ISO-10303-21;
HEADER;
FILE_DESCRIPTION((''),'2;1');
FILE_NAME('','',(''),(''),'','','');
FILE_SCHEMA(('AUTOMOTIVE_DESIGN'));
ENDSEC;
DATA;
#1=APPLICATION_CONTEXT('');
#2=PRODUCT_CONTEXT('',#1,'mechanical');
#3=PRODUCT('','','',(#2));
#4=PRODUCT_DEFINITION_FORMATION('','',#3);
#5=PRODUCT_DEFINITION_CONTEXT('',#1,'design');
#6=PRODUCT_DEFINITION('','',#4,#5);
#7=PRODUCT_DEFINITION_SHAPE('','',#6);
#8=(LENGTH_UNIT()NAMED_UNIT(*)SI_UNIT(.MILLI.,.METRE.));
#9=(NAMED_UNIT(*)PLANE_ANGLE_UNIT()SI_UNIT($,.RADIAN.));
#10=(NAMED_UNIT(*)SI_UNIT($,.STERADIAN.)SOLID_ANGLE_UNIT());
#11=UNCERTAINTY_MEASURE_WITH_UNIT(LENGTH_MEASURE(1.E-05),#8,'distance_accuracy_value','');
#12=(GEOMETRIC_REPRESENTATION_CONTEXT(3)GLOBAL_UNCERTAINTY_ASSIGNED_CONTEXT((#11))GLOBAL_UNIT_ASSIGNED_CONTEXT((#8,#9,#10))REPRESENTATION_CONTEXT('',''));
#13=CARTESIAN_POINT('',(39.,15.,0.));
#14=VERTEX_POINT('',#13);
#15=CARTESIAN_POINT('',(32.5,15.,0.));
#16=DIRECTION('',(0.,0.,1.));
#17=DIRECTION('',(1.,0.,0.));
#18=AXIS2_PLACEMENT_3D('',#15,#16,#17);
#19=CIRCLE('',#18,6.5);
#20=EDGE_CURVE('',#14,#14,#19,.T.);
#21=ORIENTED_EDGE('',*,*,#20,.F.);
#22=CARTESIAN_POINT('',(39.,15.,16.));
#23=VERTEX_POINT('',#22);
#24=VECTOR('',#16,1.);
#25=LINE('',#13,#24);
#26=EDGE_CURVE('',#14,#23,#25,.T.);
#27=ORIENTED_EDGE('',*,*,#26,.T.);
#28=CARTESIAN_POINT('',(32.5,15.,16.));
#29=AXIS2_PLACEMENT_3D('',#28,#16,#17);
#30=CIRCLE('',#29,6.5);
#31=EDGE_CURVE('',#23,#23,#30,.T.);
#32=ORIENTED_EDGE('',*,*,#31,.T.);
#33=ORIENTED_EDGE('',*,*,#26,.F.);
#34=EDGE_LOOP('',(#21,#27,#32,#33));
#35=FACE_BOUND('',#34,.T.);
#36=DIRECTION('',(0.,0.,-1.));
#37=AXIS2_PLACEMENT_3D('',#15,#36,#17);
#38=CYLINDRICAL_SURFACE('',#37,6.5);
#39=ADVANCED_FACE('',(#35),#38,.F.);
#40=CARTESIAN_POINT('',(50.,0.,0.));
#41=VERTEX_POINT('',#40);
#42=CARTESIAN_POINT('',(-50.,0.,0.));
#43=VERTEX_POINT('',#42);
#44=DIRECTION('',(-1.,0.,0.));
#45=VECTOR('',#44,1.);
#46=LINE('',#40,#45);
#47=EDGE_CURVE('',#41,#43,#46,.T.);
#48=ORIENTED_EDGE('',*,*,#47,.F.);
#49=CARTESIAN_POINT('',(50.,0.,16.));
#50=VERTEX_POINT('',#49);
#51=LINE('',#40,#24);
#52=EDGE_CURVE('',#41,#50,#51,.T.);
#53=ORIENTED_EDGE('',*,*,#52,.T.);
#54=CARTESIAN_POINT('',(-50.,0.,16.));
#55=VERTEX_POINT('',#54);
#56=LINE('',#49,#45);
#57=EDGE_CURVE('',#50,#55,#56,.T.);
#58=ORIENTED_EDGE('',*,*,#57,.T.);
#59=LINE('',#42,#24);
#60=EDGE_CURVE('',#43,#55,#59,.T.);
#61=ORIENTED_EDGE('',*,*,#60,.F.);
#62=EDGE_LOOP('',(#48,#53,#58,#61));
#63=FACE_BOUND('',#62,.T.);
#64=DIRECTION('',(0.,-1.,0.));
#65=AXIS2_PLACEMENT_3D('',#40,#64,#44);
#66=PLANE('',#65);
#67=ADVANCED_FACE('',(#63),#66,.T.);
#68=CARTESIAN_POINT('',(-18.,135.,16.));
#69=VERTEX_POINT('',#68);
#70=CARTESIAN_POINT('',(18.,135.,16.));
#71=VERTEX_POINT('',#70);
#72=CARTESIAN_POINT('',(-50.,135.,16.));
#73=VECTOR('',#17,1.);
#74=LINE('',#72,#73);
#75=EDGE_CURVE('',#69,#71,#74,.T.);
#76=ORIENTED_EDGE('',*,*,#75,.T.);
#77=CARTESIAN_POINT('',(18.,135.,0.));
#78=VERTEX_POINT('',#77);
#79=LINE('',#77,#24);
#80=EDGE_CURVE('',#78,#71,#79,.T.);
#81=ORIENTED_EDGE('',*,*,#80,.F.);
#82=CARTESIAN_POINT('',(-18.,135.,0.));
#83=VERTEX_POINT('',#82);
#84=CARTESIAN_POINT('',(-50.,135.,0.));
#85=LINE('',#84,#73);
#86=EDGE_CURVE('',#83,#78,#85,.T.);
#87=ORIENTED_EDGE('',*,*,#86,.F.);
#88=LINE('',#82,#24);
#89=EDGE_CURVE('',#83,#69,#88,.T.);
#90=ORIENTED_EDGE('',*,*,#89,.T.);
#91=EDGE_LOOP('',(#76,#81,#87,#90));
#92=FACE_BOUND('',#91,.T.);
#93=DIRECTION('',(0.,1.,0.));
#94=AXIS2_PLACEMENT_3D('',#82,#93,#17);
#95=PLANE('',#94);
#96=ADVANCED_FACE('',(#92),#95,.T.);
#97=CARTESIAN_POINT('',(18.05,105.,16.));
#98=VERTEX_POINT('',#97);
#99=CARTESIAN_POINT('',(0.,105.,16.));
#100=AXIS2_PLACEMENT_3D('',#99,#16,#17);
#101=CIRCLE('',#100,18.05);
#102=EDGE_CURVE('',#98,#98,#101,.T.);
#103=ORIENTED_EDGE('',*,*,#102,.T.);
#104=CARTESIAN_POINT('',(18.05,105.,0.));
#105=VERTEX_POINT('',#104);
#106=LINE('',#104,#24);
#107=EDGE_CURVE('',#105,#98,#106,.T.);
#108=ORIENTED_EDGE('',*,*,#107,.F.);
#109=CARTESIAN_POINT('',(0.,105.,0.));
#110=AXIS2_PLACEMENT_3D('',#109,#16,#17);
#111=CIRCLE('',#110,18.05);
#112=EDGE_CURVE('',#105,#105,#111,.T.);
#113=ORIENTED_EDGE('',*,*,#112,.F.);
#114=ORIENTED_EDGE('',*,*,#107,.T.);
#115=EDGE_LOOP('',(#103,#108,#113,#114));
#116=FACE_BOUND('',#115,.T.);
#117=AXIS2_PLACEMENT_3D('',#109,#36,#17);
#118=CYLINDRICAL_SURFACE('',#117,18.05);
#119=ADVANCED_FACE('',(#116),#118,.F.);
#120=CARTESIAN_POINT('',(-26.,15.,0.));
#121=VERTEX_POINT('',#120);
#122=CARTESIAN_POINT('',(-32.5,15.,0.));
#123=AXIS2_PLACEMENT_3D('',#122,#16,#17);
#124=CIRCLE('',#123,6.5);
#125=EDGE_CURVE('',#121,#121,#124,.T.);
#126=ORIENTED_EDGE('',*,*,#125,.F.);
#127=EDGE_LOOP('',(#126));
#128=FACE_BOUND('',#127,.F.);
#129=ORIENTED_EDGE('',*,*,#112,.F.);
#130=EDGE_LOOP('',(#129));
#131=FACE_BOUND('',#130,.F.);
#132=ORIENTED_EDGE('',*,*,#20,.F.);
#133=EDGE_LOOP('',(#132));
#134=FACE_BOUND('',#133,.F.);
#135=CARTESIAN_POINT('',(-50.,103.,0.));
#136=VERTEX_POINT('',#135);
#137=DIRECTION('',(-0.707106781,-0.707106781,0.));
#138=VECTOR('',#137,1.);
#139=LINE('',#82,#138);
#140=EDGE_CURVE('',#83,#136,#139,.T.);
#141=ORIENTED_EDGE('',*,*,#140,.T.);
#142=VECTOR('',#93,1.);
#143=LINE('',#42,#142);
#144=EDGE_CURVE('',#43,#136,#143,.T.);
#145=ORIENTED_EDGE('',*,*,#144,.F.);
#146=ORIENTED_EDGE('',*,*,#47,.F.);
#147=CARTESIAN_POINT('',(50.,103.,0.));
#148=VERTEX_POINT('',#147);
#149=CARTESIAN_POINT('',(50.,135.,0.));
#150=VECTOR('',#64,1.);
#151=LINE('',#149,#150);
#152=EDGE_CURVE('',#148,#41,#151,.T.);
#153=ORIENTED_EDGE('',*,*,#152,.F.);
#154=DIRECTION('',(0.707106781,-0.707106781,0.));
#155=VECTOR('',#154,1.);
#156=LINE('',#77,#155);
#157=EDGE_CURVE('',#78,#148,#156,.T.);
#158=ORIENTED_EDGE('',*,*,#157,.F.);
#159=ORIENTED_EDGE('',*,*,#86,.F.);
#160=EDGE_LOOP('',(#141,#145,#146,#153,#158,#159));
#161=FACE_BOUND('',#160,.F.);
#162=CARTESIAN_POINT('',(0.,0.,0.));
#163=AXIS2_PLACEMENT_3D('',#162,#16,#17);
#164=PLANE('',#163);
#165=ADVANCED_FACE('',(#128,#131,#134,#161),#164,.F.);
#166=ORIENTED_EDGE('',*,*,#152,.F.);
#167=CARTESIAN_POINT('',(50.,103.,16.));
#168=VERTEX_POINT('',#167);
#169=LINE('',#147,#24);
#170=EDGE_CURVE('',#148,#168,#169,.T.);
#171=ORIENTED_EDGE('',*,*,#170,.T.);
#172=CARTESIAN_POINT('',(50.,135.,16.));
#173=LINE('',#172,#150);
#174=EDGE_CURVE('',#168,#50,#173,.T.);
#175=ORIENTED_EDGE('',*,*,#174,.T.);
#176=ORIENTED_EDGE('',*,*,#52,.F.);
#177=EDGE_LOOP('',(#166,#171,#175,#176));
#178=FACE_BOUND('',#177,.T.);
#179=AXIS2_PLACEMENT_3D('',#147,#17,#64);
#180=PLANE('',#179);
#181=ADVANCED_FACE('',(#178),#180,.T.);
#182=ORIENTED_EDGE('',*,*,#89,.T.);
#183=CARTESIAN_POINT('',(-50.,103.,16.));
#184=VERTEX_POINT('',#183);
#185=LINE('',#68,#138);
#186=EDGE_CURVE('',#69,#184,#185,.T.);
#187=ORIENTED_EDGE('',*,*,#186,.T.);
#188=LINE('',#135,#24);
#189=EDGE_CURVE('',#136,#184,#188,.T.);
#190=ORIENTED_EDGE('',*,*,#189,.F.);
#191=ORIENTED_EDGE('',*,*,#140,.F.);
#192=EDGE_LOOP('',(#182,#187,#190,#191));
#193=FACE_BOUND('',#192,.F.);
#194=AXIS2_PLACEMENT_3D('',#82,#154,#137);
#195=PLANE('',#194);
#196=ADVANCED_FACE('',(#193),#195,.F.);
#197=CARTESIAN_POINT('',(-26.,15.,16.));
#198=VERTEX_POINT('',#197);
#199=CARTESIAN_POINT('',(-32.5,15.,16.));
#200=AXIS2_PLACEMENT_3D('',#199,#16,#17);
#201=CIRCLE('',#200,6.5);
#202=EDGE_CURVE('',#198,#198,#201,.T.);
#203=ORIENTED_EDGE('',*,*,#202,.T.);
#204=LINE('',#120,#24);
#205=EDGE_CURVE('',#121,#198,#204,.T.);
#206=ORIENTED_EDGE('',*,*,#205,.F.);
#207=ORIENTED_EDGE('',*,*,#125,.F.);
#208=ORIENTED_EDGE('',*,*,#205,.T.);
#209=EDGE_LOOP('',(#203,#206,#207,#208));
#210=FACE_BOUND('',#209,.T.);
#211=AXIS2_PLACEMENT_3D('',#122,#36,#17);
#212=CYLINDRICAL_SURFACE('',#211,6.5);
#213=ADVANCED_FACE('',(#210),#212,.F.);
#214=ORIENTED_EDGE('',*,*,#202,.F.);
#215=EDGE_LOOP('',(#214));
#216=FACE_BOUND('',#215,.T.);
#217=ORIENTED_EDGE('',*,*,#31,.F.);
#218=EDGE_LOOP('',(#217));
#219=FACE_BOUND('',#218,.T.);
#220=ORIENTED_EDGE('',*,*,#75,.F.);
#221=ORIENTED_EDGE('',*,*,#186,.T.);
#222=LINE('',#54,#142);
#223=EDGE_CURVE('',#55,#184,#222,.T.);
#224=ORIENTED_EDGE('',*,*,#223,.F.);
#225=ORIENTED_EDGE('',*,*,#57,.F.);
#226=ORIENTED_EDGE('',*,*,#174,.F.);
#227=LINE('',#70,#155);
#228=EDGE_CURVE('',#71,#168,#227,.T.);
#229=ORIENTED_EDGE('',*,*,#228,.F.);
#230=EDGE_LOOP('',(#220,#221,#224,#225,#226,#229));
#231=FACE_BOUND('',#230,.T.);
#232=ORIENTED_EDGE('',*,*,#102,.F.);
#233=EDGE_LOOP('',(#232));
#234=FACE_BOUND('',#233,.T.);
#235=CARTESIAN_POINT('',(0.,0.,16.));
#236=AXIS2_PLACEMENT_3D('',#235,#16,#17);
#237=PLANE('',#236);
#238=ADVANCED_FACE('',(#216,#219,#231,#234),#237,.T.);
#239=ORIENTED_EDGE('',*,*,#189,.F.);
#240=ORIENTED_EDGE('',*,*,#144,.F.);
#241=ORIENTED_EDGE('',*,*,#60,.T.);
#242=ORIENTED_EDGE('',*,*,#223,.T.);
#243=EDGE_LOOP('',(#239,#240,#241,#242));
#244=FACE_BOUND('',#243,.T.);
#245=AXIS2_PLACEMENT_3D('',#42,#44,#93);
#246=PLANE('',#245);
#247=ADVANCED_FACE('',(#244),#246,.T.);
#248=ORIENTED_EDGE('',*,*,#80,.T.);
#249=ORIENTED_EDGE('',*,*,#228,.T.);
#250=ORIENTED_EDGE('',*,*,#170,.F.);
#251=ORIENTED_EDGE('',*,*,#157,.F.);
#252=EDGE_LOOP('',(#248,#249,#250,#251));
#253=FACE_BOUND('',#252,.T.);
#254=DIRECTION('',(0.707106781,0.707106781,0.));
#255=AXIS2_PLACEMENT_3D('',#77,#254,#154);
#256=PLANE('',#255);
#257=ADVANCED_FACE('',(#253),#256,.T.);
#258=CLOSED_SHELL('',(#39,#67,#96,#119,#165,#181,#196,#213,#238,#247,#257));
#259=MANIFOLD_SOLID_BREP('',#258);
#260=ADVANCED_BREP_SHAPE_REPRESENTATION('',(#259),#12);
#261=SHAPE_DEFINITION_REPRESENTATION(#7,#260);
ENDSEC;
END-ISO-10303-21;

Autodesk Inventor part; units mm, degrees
ref_plane "YZ Plane" through (0, 0, 0) normal (1, 0, 0) x (0, 1, 0)
ref_plane "XZ Plane" through (0, 0, 0) normal (0, 1, 0) x (-1, 0, 0)
ref_plane "XY Plane" through (0, 0, 0) normal (0, 0, 1) x (1, 0, 0)
sketch "Sketch1" plane through (0, 0, 0) normal (0, 0, 1) x (1, 0, 0)
  line L0 (-50, 135) -> (50, 135)
  line L1 (50, 135) -> (50, 0)
  line L2 (50, 0) -> (-50, 0)
  line L3 (-50, 0) -> (-50, 135)
  circle A0 centre (0, 105) radius 18.05
  line L4 (-18, 135) -> (-50, 103)
  line L5 (18, 135) -> (50, 103)
  circle A1 centre (-32.5, 15) radius 6.5
  circle A2 centre (32.5, 15) radius 6.5
  line L6 (-32.5, 15) -> (32.5, 15) construction
  point P0 (0, 0)
  point P1 (0, 0)
  point P2 (0, 15)
  dimension "d0" = 100
  dimension "d1" = 36.1
  dimension "d2" = 105
  dimension "d3" = 32
  dimension "d4" = 135
  dimension "d6" = 45
  dimension "d7" = 13
  dimension "d8" = 65
  dimension "d9" = 15
extrude "Plate1" add sketch "Sketch1" along normal blind 16 contours L0 L5 L1 L2 L3 L4
equation "\"d10\" = Thickness"
equation "\"BendReliefWidth\" = Thickness"
equation "\"BendReliefDepth\" = 0.5 * Thickness"
equation "\"CornerReliefSize\" = 4 * Thickness"
equation "\"MinimumRemnant\" = 2 * Thickness"
equation "\"TransitionRadius\" = BendRadius"
equation "\"JacobiRadiusSize\" = BendRadius"
equation "\"GapSize\" = Thickness"
equation "\"Thickness\" = 16"
equation "\"BendRadius\" = 2.75"
properties material "Stainless Steel"
